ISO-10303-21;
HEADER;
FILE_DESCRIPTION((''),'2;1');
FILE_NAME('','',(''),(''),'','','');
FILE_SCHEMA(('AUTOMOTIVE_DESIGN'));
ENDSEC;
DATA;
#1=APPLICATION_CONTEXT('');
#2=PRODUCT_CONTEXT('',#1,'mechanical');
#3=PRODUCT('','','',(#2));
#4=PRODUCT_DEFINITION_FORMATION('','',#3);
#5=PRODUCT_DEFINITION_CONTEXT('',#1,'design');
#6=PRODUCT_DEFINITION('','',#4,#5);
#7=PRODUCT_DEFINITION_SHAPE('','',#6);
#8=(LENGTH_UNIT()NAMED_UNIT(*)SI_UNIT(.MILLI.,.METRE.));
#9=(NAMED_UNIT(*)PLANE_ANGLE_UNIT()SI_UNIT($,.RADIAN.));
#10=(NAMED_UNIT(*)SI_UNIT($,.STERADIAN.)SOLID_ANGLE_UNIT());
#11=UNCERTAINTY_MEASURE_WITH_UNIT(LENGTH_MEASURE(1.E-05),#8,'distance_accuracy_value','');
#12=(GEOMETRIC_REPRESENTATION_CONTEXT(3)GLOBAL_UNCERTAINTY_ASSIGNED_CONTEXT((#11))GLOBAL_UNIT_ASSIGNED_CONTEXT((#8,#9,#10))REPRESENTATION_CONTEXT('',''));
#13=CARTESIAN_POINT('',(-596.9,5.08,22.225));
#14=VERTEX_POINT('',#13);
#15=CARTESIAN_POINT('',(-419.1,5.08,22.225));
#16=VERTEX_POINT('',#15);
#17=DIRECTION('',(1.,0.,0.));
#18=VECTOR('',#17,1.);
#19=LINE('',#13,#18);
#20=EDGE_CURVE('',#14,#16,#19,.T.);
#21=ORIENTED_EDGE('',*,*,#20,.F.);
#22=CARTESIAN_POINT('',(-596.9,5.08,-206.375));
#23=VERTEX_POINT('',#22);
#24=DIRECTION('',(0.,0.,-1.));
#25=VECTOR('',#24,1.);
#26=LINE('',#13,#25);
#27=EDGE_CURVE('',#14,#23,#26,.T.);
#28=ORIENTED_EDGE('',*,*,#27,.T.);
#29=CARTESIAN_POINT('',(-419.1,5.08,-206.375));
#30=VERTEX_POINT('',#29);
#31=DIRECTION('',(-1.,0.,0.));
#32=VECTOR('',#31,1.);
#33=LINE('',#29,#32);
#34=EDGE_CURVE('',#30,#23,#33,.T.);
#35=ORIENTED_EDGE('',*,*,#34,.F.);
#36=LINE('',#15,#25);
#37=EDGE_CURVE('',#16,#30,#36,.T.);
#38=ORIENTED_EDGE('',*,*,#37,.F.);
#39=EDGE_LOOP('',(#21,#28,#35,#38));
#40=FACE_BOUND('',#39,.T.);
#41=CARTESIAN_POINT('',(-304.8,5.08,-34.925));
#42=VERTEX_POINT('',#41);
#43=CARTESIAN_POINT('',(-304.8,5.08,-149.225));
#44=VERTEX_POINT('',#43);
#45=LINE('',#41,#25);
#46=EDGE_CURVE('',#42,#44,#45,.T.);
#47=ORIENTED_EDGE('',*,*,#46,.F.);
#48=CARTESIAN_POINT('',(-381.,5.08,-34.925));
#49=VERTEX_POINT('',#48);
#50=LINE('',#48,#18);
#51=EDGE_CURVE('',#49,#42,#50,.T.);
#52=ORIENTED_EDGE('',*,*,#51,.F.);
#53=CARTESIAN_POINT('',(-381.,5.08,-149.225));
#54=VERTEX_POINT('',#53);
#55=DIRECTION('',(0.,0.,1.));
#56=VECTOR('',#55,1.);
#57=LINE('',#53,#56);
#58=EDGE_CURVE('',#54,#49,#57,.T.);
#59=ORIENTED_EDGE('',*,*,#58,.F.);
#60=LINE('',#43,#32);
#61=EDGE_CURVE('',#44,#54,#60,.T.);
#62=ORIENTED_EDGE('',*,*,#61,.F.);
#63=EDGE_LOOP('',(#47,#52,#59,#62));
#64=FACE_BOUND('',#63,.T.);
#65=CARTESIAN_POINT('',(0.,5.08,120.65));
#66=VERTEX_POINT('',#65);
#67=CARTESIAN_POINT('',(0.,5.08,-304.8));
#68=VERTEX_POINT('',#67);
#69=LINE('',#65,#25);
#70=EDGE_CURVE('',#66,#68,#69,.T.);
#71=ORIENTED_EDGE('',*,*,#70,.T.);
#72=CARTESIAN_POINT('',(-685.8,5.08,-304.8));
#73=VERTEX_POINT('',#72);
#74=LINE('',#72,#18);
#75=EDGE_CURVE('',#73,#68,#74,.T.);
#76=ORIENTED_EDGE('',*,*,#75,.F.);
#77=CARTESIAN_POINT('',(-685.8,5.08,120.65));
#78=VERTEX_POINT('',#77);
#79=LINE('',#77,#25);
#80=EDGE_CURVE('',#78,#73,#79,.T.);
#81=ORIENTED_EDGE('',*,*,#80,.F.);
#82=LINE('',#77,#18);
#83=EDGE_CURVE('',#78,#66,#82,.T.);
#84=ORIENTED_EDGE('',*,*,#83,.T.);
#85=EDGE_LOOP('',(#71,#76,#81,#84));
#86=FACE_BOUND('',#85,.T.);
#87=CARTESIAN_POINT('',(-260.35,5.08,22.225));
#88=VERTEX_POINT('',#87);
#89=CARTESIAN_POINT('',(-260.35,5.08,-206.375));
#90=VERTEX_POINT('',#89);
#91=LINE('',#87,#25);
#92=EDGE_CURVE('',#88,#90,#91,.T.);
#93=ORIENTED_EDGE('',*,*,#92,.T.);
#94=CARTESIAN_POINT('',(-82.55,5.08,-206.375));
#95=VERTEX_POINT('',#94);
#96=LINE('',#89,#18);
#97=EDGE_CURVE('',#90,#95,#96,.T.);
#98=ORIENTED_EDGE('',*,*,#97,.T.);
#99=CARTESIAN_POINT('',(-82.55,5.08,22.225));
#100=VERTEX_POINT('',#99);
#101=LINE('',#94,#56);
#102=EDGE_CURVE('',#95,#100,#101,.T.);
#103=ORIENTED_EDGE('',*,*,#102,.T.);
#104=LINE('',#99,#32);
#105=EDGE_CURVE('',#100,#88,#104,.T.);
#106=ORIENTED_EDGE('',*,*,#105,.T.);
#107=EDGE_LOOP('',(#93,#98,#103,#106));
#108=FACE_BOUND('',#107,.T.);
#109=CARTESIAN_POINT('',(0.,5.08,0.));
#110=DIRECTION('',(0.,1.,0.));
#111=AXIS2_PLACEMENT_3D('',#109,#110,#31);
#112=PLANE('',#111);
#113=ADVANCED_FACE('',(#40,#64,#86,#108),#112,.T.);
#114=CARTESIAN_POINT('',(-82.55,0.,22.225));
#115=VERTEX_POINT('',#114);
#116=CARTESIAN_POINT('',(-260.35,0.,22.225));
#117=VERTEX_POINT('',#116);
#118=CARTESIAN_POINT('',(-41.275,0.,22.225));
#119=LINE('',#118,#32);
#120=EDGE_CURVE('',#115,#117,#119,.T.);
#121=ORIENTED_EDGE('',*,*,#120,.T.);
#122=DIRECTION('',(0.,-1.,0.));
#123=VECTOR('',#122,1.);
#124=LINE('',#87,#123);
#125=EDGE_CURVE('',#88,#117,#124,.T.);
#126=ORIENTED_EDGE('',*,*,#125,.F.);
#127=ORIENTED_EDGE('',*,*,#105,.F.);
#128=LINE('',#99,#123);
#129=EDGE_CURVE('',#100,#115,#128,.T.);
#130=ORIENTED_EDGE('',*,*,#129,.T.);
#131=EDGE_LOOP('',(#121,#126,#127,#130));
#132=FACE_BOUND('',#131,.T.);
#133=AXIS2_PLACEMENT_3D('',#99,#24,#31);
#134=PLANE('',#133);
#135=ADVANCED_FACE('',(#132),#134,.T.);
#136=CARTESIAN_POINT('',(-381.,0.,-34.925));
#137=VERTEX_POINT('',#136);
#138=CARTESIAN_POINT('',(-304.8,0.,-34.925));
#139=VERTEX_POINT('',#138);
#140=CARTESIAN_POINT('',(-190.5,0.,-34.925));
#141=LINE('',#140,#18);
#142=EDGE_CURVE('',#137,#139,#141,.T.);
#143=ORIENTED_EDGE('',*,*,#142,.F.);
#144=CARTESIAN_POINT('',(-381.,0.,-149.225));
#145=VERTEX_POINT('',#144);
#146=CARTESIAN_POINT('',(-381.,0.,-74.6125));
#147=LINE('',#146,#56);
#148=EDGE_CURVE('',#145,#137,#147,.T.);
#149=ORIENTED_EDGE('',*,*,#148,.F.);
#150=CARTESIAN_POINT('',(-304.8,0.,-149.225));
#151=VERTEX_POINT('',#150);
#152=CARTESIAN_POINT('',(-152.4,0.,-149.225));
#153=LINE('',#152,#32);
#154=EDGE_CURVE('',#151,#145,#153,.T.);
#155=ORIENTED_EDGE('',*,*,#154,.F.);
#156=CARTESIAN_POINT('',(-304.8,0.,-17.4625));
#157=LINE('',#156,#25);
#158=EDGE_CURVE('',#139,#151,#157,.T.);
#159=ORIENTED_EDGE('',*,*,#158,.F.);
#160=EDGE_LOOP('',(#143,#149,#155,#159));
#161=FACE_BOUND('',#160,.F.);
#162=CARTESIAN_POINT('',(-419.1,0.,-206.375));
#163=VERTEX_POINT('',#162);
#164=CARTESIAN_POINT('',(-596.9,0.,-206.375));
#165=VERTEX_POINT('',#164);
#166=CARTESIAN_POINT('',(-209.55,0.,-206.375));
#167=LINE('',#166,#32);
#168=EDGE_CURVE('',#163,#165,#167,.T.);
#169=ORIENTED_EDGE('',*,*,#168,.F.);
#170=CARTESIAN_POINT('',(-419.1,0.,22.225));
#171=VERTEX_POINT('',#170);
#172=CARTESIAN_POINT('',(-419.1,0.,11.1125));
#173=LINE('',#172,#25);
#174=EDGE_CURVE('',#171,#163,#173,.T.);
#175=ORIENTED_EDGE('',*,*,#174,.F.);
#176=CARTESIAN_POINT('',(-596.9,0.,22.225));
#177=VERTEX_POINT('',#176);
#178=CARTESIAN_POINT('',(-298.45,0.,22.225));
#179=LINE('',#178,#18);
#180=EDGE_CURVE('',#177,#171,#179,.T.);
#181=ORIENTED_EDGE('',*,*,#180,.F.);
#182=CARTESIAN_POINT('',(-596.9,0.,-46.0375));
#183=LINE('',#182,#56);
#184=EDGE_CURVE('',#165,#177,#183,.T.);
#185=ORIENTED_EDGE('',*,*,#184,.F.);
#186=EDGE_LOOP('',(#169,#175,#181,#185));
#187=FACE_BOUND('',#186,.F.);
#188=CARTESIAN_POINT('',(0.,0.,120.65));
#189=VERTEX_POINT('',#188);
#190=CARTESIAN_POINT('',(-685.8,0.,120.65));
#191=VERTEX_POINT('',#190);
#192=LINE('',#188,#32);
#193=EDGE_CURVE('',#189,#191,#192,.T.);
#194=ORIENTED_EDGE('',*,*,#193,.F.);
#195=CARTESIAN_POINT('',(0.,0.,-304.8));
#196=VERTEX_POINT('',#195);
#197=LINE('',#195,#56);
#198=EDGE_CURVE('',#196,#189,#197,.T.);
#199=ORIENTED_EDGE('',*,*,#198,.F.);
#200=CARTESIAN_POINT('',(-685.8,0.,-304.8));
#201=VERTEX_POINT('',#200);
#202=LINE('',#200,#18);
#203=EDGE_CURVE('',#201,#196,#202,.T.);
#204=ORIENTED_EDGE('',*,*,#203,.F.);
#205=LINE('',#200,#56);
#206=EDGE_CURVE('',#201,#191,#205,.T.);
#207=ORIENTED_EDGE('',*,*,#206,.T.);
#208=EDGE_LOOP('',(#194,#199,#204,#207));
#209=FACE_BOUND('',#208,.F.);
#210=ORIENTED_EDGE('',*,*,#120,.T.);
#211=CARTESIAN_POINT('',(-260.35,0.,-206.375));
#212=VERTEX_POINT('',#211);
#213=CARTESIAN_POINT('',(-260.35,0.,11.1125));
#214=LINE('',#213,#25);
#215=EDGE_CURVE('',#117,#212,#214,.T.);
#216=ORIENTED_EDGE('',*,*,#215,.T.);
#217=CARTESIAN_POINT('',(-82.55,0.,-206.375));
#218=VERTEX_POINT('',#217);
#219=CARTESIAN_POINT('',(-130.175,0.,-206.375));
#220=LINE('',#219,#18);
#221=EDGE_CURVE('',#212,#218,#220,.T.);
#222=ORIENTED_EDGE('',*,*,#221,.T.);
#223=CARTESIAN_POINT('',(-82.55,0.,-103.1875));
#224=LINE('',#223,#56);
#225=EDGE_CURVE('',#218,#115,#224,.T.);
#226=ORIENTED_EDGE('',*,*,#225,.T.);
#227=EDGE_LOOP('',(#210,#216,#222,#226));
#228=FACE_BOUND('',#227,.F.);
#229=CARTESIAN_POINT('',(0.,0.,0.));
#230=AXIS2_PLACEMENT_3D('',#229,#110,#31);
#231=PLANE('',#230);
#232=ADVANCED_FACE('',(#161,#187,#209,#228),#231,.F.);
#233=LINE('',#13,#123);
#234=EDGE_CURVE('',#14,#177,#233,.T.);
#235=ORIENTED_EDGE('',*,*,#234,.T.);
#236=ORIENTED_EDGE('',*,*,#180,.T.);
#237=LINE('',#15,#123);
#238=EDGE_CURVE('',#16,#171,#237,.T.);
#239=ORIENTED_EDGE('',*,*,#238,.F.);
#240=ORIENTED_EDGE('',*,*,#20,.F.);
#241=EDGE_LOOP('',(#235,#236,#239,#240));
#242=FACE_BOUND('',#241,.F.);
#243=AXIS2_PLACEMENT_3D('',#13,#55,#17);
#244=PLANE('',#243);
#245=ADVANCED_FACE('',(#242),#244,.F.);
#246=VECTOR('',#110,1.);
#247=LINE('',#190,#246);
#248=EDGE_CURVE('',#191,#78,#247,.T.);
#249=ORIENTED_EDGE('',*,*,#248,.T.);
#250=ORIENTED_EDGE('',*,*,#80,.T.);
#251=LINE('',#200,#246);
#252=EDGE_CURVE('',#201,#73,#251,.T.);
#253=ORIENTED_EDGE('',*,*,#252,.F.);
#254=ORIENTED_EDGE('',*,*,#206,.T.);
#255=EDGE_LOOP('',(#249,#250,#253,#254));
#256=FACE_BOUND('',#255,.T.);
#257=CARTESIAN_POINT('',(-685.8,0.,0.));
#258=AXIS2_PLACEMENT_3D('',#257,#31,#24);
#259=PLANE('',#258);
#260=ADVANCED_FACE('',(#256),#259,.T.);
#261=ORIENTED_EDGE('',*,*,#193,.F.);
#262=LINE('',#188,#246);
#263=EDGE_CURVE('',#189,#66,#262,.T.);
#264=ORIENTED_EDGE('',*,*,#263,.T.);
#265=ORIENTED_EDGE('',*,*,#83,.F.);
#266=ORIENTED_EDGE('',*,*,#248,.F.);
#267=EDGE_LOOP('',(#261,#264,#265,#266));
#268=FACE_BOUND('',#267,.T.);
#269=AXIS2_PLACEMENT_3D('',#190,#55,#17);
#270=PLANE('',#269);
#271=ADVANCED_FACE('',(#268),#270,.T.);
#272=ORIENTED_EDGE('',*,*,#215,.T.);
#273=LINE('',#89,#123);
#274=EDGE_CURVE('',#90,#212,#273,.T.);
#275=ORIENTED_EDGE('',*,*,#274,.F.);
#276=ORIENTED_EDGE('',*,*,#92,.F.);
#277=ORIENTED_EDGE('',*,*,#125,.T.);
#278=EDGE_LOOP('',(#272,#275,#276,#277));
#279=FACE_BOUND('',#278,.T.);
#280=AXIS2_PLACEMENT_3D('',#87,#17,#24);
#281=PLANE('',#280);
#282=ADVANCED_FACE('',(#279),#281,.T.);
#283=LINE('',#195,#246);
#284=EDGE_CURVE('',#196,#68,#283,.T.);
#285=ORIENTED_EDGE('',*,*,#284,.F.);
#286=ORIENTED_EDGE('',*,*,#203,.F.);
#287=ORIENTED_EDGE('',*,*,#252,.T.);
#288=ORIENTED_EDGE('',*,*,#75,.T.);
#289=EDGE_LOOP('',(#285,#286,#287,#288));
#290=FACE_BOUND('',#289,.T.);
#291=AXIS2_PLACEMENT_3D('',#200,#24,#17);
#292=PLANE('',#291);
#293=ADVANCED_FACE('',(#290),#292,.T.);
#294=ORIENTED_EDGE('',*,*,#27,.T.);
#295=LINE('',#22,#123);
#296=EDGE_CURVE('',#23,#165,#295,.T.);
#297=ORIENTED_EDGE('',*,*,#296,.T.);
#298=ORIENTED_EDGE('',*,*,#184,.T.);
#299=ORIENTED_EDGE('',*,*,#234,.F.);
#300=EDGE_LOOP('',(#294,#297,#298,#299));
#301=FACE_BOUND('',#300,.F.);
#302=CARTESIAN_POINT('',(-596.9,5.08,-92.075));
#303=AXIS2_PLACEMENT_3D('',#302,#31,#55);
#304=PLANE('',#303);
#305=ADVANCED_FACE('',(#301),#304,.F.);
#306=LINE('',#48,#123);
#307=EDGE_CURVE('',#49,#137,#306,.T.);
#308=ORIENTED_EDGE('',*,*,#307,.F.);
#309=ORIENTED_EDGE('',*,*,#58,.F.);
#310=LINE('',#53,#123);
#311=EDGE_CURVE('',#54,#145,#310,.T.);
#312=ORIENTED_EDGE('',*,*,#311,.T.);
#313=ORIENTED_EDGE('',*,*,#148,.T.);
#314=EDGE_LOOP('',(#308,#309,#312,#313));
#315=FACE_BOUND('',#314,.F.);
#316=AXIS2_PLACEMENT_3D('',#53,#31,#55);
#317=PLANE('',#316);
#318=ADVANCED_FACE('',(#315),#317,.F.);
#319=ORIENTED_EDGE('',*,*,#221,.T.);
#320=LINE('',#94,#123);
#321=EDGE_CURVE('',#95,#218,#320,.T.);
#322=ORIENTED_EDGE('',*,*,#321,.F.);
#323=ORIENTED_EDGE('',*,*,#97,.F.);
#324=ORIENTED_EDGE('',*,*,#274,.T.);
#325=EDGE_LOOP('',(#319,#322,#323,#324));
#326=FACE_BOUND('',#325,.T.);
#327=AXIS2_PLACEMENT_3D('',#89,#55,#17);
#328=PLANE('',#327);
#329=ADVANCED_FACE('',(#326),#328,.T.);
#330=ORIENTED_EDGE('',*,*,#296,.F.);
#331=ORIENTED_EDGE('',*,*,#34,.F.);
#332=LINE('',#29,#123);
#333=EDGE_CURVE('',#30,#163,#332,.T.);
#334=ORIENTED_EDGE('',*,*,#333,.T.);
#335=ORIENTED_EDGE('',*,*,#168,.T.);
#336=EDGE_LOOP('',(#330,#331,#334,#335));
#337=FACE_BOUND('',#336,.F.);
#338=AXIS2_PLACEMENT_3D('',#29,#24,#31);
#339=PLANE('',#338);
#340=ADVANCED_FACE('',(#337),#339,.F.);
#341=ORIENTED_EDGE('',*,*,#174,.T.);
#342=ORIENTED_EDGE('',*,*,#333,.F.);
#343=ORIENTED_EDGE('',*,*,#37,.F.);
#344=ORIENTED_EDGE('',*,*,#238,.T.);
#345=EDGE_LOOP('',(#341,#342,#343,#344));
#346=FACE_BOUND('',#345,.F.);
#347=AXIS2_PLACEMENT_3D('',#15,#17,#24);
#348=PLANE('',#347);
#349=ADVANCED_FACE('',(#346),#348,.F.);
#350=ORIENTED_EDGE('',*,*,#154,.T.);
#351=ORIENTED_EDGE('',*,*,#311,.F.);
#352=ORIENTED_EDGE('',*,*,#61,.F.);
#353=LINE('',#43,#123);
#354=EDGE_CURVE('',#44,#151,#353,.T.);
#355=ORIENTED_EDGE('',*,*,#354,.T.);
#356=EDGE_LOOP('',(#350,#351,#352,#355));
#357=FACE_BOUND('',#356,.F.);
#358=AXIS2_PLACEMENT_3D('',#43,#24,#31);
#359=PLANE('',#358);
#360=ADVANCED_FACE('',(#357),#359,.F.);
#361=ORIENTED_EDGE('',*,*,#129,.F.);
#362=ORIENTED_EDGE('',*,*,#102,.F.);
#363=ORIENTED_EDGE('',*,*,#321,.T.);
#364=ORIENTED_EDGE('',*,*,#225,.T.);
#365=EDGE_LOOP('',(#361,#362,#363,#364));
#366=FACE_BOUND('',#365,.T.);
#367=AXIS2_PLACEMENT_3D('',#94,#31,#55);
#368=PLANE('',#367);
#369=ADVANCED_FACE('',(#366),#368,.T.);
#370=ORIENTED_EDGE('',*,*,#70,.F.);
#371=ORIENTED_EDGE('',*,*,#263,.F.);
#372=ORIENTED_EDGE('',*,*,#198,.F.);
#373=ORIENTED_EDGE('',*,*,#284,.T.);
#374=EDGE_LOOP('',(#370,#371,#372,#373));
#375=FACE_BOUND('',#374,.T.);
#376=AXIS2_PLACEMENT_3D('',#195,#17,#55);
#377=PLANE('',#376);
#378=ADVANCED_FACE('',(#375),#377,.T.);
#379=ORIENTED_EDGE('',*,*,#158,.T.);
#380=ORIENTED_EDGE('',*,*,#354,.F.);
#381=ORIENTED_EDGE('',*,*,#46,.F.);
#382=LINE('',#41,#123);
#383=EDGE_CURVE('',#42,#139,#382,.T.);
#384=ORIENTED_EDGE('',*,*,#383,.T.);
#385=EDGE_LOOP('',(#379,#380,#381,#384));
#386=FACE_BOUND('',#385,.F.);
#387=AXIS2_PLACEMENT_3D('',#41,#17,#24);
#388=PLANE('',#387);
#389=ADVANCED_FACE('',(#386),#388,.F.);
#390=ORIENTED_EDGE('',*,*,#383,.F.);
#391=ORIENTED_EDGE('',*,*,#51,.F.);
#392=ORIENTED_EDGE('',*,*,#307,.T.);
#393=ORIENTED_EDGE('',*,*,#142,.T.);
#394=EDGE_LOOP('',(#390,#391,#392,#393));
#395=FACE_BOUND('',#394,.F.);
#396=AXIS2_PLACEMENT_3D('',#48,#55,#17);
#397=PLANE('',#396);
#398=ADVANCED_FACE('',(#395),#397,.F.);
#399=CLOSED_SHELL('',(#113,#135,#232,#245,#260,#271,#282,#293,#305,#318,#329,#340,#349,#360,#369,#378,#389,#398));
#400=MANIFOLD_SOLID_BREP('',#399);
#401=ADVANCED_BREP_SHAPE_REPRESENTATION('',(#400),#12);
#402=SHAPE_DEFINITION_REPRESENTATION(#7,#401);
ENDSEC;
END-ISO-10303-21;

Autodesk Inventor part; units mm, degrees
ref_plane "YZ Plane" through (0, 0, 0) normal (1, 0, 0) x (0, 1, 0)
ref_plane "XZ Plane" through (0, 0, 0) normal (0, 1, 0) x (-1, 0, 0)
ref_plane "XY Plane" through (0, 0, 0) normal (0, 0, 1) x (1, 0, 0)
sketch "Sketch1" plane through (0, 0, 0) normal (0, 1, 0) x (-1, 0, 0)
  line L0 (0, 0) -> (685.8, 0)
  line L1 (685.8, 0) -> (685.8, -304.8)
  line L2 (685.8, -304.8) -> (0, -304.8)
  line L3 (0, -304.8) -> (0, 0)
  line L4 (685.8, 0) -> (0, 0)
  line L5 (0, 0) -> (0, 120.65)
  line L6 (0, 120.65) -> (685.8, 120.65)
  line L7 (685.8, 120.65) -> (685.8, 0)
  dimension "d0" = 685.8
  dimension "d1" = 304.8
  dimension "d4" = 120.65
extrude "Extrusion1" add sketch "Sketch1" along normal blind 5.08 contours L0 L1 L2 L3
sketch "Sketch2" plane through (-685.8, 0, 0) normal (0, 0, 1) x (1, 0, 0)
  line L0 (685.8, 0) -> (0, 0) projected
  line L1 (685.8, 0) -> (685.8, 5.08) projected
  line L2 (0, 5.08) -> (685.8, 5.08) projected
  line L3 (0, 0) -> (0, 5.08) projected
extrude "Extrusion2" add sketch "Sketch2" along normal blind 120.65
sketch "Sketch3" plane through (0, 5.08, 0) normal (0, 1, 0) x (1, 0, 0)
  point P0 (0, 0)
sketch "Sketch4" plane through (0, 5.08, 0) normal (0, 1, 0) x (1, 0, 0)
  line L0 (-685.8, -120.65) -> (-685.8, 304.8) projected
  line L1 (-685.8, 92.075) -> (-609.6, 92.075)
  line L2 (-609.6, 92.075) -> (-609.6, -34.925)
  line L3 (-609.6, 92.075) -> (-609.6, 219.075)
  line L4 (-609.6, 219.075) -> (-406.4, 219.075)
  line L5 (-406.4, 219.075) -> (-406.4, -34.925)
  line L6 (-406.4, -34.925) -> (-609.6, -34.925)
  line L7 (0, 304.8) -> (0, -120.65) projected
  line L8 (0, 92.075) -> (-69.85, 92.075)
  line L9 (-69.85, 92.075) -> (-69.85, 219.075)
  line L10 (-69.85, 219.075) -> (-273.05, 219.075)
  line L11 (-273.05, 219.075) -> (-273.05, -34.925)
  line L12 (-273.05, -34.925) -> (-69.85, -34.925)
  line L13 (-69.85, -34.925) -> (-69.85, 92.075)
  line L14 (-419.1, -22.225) -> (-419.1, 206.375)
  line L15 (-419.1, 206.375) -> (-596.9, 206.375)
  line L16 (-596.9, 206.375) -> (-596.9, 92.075)
  line L17 (-596.9, 92.075) -> (-596.9, -22.225)
  line L18 (-596.9, -22.225) -> (-419.1, -22.225)
  line L19 (-260.35, -22.225) -> (-260.35, 206.375)
  line L20 (-260.35, 206.375) -> (-82.55, 206.375)
  line L21 (-82.55, 206.375) -> (-82.55, 92.075)
  line L22 (-82.55, 92.075) -> (-82.55, -22.225)
  line L23 (-82.55, -22.225) -> (-260.35, -22.225)
  point P0 (0, 0)
  dimension "d7" = 76.2
  dimension "d8" = 127
  dimension "d9" = 127
  dimension "d10" = 203.2
  dimension "d11" = 69.85
  dimension "d12" = 203.2
  dimension "d13" = 12.7
  dimension "d14" = 12.7
extrude "Extrusion3" cut sketch "Sketch4" against normal blind 25.4 contours L18 L17 L16 L15 L14 | L19 L20 L21 L22 L23
sketch "Sketch5" plane through (0, 5.08, 0) normal (0, 1, 0) x (1, 0, 0)
  point P0 (0, 0)
sketch "Sketch6" plane through (0, 5.08, 0) normal (0, 1, 0) x (1, 0, 0)
  line L0 (-596.9, 206.375) -> (-419.1, 206.375) projected
  line L1 (-419.1, 206.375) -> (-419.1, -22.225) projected
  line L2 (-419.1, -22.225) -> (-596.9, -22.225) projected
  line L3 (-596.9, -22.225) -> (-596.9, 206.375) projected
  line L4 (-82.55, -22.225) -> (-260.35, -22.225) projected
  line L5 (-260.35, -22.225) -> (-260.35, 206.375) projected
  line L6 (-260.35, 206.375) -> (-82.55, 206.375) projected
  line L7 (-82.55, 206.375) -> (-82.55, -22.225) projected
  line L8 (0, 304.8) -> (0, -120.65) projected
  line L9 (0, 304.8) -> (-685.8, 304.8) projected
  line L10 (-685.8, 304.8) -> (-685.8, -120.65) projected
  line L11 (0, -120.65) -> (-685.8, -120.65) projected
  line L12 (-596.9, 206.375) -> (-419.1, 206.375)
  line L13 (-419.1, 206.375) -> (-419.1, -22.225)
  line L14 (-419.1, -22.225) -> (-596.9, -22.225)
  line L15 (-596.9, -22.225) -> (-596.9, 206.375)
  line L16 (-419.1, 206.375) -> (-419.1, -22.225) projected
  line L17 (-260.35, 206.375) -> (-82.55, 206.375)
  line L18 (-82.55, 206.375) -> (-82.55, -22.225)
  line L19 (-82.55, -22.225) -> (-260.35, -22.225)
  line L20 (-260.35, -22.225) -> (-260.35, 206.375)
  line L21 (-508, -22.225) -> (-508, 206.375)
  line L22 (-596.9, -22.225) -> (-596.9, 206.375) projected
  line L23 (-596.9, 92.075) -> (-419.1, 92.075)
  line L24 (-171.45, 206.375) -> (-171.45, -22.225)
  line L25 (-82.55, 92.075) -> (-260.35, 92.075)
  point P0 (0, 0)
  point P1 (-508, 92.075)
  point P2 (-171.45, 92.075)
sketch "Sketch7" plane through (0, 5.08, 0) normal (0, 1, 0) x (1, 0, 0)
  line L0 (-596.9, 206.375) -> (-419.1, 206.375) projected
  line L1 (-419.1, 206.375) -> (-419.1, -22.225) projected
  line L2 (-419.1, -22.225) -> (-596.9, -22.225) projected
  line L3 (-596.9, -22.225) -> (-596.9, 206.375) projected
  line L4 (-82.55, -22.225) -> (-260.35, -22.225) projected
  line L5 (-260.35, -22.225) -> (-260.35, 206.375) projected
  line L6 (-260.35, 206.375) -> (-82.55, 206.375) projected
  line L7 (-82.55, 206.375) -> (-82.55, -22.225) projected
  line L8 (0, 304.8) -> (0, -120.65) projected
  line L9 (0, 304.8) -> (-685.8, 304.8) projected
  line L10 (-685.8, 304.8) -> (-685.8, -120.65) projected
  line L11 (0, -120.65) -> (-685.8, -120.65) projected
  line L12 (-381, 34.925) -> (-304.8, 34.925)
  line L13 (-304.8, 34.925) -> (-304.8, 149.225)
  line L14 (-304.8, 149.225) -> (-381, 149.225)
  line L15 (-381, 149.225) -> (-381, 34.925)
  line L16 (-381, 34.925) -> (-304.8, 149.225) construction
  line L17 (-304.8, 34.925) -> (-381, 149.225) construction
  point P0 (0, 0)
  point P1 (-342.9, 92.075)
  dimension "d17" = 76.2
  dimension "d18" = 114.3
extrude "Extrusion4" cut sketch "Sketch7" against normal blind 25.4 contours L15 L14 L13 L12
properties part number "cart_woodpanel-front" material "Wood (Birch)"
